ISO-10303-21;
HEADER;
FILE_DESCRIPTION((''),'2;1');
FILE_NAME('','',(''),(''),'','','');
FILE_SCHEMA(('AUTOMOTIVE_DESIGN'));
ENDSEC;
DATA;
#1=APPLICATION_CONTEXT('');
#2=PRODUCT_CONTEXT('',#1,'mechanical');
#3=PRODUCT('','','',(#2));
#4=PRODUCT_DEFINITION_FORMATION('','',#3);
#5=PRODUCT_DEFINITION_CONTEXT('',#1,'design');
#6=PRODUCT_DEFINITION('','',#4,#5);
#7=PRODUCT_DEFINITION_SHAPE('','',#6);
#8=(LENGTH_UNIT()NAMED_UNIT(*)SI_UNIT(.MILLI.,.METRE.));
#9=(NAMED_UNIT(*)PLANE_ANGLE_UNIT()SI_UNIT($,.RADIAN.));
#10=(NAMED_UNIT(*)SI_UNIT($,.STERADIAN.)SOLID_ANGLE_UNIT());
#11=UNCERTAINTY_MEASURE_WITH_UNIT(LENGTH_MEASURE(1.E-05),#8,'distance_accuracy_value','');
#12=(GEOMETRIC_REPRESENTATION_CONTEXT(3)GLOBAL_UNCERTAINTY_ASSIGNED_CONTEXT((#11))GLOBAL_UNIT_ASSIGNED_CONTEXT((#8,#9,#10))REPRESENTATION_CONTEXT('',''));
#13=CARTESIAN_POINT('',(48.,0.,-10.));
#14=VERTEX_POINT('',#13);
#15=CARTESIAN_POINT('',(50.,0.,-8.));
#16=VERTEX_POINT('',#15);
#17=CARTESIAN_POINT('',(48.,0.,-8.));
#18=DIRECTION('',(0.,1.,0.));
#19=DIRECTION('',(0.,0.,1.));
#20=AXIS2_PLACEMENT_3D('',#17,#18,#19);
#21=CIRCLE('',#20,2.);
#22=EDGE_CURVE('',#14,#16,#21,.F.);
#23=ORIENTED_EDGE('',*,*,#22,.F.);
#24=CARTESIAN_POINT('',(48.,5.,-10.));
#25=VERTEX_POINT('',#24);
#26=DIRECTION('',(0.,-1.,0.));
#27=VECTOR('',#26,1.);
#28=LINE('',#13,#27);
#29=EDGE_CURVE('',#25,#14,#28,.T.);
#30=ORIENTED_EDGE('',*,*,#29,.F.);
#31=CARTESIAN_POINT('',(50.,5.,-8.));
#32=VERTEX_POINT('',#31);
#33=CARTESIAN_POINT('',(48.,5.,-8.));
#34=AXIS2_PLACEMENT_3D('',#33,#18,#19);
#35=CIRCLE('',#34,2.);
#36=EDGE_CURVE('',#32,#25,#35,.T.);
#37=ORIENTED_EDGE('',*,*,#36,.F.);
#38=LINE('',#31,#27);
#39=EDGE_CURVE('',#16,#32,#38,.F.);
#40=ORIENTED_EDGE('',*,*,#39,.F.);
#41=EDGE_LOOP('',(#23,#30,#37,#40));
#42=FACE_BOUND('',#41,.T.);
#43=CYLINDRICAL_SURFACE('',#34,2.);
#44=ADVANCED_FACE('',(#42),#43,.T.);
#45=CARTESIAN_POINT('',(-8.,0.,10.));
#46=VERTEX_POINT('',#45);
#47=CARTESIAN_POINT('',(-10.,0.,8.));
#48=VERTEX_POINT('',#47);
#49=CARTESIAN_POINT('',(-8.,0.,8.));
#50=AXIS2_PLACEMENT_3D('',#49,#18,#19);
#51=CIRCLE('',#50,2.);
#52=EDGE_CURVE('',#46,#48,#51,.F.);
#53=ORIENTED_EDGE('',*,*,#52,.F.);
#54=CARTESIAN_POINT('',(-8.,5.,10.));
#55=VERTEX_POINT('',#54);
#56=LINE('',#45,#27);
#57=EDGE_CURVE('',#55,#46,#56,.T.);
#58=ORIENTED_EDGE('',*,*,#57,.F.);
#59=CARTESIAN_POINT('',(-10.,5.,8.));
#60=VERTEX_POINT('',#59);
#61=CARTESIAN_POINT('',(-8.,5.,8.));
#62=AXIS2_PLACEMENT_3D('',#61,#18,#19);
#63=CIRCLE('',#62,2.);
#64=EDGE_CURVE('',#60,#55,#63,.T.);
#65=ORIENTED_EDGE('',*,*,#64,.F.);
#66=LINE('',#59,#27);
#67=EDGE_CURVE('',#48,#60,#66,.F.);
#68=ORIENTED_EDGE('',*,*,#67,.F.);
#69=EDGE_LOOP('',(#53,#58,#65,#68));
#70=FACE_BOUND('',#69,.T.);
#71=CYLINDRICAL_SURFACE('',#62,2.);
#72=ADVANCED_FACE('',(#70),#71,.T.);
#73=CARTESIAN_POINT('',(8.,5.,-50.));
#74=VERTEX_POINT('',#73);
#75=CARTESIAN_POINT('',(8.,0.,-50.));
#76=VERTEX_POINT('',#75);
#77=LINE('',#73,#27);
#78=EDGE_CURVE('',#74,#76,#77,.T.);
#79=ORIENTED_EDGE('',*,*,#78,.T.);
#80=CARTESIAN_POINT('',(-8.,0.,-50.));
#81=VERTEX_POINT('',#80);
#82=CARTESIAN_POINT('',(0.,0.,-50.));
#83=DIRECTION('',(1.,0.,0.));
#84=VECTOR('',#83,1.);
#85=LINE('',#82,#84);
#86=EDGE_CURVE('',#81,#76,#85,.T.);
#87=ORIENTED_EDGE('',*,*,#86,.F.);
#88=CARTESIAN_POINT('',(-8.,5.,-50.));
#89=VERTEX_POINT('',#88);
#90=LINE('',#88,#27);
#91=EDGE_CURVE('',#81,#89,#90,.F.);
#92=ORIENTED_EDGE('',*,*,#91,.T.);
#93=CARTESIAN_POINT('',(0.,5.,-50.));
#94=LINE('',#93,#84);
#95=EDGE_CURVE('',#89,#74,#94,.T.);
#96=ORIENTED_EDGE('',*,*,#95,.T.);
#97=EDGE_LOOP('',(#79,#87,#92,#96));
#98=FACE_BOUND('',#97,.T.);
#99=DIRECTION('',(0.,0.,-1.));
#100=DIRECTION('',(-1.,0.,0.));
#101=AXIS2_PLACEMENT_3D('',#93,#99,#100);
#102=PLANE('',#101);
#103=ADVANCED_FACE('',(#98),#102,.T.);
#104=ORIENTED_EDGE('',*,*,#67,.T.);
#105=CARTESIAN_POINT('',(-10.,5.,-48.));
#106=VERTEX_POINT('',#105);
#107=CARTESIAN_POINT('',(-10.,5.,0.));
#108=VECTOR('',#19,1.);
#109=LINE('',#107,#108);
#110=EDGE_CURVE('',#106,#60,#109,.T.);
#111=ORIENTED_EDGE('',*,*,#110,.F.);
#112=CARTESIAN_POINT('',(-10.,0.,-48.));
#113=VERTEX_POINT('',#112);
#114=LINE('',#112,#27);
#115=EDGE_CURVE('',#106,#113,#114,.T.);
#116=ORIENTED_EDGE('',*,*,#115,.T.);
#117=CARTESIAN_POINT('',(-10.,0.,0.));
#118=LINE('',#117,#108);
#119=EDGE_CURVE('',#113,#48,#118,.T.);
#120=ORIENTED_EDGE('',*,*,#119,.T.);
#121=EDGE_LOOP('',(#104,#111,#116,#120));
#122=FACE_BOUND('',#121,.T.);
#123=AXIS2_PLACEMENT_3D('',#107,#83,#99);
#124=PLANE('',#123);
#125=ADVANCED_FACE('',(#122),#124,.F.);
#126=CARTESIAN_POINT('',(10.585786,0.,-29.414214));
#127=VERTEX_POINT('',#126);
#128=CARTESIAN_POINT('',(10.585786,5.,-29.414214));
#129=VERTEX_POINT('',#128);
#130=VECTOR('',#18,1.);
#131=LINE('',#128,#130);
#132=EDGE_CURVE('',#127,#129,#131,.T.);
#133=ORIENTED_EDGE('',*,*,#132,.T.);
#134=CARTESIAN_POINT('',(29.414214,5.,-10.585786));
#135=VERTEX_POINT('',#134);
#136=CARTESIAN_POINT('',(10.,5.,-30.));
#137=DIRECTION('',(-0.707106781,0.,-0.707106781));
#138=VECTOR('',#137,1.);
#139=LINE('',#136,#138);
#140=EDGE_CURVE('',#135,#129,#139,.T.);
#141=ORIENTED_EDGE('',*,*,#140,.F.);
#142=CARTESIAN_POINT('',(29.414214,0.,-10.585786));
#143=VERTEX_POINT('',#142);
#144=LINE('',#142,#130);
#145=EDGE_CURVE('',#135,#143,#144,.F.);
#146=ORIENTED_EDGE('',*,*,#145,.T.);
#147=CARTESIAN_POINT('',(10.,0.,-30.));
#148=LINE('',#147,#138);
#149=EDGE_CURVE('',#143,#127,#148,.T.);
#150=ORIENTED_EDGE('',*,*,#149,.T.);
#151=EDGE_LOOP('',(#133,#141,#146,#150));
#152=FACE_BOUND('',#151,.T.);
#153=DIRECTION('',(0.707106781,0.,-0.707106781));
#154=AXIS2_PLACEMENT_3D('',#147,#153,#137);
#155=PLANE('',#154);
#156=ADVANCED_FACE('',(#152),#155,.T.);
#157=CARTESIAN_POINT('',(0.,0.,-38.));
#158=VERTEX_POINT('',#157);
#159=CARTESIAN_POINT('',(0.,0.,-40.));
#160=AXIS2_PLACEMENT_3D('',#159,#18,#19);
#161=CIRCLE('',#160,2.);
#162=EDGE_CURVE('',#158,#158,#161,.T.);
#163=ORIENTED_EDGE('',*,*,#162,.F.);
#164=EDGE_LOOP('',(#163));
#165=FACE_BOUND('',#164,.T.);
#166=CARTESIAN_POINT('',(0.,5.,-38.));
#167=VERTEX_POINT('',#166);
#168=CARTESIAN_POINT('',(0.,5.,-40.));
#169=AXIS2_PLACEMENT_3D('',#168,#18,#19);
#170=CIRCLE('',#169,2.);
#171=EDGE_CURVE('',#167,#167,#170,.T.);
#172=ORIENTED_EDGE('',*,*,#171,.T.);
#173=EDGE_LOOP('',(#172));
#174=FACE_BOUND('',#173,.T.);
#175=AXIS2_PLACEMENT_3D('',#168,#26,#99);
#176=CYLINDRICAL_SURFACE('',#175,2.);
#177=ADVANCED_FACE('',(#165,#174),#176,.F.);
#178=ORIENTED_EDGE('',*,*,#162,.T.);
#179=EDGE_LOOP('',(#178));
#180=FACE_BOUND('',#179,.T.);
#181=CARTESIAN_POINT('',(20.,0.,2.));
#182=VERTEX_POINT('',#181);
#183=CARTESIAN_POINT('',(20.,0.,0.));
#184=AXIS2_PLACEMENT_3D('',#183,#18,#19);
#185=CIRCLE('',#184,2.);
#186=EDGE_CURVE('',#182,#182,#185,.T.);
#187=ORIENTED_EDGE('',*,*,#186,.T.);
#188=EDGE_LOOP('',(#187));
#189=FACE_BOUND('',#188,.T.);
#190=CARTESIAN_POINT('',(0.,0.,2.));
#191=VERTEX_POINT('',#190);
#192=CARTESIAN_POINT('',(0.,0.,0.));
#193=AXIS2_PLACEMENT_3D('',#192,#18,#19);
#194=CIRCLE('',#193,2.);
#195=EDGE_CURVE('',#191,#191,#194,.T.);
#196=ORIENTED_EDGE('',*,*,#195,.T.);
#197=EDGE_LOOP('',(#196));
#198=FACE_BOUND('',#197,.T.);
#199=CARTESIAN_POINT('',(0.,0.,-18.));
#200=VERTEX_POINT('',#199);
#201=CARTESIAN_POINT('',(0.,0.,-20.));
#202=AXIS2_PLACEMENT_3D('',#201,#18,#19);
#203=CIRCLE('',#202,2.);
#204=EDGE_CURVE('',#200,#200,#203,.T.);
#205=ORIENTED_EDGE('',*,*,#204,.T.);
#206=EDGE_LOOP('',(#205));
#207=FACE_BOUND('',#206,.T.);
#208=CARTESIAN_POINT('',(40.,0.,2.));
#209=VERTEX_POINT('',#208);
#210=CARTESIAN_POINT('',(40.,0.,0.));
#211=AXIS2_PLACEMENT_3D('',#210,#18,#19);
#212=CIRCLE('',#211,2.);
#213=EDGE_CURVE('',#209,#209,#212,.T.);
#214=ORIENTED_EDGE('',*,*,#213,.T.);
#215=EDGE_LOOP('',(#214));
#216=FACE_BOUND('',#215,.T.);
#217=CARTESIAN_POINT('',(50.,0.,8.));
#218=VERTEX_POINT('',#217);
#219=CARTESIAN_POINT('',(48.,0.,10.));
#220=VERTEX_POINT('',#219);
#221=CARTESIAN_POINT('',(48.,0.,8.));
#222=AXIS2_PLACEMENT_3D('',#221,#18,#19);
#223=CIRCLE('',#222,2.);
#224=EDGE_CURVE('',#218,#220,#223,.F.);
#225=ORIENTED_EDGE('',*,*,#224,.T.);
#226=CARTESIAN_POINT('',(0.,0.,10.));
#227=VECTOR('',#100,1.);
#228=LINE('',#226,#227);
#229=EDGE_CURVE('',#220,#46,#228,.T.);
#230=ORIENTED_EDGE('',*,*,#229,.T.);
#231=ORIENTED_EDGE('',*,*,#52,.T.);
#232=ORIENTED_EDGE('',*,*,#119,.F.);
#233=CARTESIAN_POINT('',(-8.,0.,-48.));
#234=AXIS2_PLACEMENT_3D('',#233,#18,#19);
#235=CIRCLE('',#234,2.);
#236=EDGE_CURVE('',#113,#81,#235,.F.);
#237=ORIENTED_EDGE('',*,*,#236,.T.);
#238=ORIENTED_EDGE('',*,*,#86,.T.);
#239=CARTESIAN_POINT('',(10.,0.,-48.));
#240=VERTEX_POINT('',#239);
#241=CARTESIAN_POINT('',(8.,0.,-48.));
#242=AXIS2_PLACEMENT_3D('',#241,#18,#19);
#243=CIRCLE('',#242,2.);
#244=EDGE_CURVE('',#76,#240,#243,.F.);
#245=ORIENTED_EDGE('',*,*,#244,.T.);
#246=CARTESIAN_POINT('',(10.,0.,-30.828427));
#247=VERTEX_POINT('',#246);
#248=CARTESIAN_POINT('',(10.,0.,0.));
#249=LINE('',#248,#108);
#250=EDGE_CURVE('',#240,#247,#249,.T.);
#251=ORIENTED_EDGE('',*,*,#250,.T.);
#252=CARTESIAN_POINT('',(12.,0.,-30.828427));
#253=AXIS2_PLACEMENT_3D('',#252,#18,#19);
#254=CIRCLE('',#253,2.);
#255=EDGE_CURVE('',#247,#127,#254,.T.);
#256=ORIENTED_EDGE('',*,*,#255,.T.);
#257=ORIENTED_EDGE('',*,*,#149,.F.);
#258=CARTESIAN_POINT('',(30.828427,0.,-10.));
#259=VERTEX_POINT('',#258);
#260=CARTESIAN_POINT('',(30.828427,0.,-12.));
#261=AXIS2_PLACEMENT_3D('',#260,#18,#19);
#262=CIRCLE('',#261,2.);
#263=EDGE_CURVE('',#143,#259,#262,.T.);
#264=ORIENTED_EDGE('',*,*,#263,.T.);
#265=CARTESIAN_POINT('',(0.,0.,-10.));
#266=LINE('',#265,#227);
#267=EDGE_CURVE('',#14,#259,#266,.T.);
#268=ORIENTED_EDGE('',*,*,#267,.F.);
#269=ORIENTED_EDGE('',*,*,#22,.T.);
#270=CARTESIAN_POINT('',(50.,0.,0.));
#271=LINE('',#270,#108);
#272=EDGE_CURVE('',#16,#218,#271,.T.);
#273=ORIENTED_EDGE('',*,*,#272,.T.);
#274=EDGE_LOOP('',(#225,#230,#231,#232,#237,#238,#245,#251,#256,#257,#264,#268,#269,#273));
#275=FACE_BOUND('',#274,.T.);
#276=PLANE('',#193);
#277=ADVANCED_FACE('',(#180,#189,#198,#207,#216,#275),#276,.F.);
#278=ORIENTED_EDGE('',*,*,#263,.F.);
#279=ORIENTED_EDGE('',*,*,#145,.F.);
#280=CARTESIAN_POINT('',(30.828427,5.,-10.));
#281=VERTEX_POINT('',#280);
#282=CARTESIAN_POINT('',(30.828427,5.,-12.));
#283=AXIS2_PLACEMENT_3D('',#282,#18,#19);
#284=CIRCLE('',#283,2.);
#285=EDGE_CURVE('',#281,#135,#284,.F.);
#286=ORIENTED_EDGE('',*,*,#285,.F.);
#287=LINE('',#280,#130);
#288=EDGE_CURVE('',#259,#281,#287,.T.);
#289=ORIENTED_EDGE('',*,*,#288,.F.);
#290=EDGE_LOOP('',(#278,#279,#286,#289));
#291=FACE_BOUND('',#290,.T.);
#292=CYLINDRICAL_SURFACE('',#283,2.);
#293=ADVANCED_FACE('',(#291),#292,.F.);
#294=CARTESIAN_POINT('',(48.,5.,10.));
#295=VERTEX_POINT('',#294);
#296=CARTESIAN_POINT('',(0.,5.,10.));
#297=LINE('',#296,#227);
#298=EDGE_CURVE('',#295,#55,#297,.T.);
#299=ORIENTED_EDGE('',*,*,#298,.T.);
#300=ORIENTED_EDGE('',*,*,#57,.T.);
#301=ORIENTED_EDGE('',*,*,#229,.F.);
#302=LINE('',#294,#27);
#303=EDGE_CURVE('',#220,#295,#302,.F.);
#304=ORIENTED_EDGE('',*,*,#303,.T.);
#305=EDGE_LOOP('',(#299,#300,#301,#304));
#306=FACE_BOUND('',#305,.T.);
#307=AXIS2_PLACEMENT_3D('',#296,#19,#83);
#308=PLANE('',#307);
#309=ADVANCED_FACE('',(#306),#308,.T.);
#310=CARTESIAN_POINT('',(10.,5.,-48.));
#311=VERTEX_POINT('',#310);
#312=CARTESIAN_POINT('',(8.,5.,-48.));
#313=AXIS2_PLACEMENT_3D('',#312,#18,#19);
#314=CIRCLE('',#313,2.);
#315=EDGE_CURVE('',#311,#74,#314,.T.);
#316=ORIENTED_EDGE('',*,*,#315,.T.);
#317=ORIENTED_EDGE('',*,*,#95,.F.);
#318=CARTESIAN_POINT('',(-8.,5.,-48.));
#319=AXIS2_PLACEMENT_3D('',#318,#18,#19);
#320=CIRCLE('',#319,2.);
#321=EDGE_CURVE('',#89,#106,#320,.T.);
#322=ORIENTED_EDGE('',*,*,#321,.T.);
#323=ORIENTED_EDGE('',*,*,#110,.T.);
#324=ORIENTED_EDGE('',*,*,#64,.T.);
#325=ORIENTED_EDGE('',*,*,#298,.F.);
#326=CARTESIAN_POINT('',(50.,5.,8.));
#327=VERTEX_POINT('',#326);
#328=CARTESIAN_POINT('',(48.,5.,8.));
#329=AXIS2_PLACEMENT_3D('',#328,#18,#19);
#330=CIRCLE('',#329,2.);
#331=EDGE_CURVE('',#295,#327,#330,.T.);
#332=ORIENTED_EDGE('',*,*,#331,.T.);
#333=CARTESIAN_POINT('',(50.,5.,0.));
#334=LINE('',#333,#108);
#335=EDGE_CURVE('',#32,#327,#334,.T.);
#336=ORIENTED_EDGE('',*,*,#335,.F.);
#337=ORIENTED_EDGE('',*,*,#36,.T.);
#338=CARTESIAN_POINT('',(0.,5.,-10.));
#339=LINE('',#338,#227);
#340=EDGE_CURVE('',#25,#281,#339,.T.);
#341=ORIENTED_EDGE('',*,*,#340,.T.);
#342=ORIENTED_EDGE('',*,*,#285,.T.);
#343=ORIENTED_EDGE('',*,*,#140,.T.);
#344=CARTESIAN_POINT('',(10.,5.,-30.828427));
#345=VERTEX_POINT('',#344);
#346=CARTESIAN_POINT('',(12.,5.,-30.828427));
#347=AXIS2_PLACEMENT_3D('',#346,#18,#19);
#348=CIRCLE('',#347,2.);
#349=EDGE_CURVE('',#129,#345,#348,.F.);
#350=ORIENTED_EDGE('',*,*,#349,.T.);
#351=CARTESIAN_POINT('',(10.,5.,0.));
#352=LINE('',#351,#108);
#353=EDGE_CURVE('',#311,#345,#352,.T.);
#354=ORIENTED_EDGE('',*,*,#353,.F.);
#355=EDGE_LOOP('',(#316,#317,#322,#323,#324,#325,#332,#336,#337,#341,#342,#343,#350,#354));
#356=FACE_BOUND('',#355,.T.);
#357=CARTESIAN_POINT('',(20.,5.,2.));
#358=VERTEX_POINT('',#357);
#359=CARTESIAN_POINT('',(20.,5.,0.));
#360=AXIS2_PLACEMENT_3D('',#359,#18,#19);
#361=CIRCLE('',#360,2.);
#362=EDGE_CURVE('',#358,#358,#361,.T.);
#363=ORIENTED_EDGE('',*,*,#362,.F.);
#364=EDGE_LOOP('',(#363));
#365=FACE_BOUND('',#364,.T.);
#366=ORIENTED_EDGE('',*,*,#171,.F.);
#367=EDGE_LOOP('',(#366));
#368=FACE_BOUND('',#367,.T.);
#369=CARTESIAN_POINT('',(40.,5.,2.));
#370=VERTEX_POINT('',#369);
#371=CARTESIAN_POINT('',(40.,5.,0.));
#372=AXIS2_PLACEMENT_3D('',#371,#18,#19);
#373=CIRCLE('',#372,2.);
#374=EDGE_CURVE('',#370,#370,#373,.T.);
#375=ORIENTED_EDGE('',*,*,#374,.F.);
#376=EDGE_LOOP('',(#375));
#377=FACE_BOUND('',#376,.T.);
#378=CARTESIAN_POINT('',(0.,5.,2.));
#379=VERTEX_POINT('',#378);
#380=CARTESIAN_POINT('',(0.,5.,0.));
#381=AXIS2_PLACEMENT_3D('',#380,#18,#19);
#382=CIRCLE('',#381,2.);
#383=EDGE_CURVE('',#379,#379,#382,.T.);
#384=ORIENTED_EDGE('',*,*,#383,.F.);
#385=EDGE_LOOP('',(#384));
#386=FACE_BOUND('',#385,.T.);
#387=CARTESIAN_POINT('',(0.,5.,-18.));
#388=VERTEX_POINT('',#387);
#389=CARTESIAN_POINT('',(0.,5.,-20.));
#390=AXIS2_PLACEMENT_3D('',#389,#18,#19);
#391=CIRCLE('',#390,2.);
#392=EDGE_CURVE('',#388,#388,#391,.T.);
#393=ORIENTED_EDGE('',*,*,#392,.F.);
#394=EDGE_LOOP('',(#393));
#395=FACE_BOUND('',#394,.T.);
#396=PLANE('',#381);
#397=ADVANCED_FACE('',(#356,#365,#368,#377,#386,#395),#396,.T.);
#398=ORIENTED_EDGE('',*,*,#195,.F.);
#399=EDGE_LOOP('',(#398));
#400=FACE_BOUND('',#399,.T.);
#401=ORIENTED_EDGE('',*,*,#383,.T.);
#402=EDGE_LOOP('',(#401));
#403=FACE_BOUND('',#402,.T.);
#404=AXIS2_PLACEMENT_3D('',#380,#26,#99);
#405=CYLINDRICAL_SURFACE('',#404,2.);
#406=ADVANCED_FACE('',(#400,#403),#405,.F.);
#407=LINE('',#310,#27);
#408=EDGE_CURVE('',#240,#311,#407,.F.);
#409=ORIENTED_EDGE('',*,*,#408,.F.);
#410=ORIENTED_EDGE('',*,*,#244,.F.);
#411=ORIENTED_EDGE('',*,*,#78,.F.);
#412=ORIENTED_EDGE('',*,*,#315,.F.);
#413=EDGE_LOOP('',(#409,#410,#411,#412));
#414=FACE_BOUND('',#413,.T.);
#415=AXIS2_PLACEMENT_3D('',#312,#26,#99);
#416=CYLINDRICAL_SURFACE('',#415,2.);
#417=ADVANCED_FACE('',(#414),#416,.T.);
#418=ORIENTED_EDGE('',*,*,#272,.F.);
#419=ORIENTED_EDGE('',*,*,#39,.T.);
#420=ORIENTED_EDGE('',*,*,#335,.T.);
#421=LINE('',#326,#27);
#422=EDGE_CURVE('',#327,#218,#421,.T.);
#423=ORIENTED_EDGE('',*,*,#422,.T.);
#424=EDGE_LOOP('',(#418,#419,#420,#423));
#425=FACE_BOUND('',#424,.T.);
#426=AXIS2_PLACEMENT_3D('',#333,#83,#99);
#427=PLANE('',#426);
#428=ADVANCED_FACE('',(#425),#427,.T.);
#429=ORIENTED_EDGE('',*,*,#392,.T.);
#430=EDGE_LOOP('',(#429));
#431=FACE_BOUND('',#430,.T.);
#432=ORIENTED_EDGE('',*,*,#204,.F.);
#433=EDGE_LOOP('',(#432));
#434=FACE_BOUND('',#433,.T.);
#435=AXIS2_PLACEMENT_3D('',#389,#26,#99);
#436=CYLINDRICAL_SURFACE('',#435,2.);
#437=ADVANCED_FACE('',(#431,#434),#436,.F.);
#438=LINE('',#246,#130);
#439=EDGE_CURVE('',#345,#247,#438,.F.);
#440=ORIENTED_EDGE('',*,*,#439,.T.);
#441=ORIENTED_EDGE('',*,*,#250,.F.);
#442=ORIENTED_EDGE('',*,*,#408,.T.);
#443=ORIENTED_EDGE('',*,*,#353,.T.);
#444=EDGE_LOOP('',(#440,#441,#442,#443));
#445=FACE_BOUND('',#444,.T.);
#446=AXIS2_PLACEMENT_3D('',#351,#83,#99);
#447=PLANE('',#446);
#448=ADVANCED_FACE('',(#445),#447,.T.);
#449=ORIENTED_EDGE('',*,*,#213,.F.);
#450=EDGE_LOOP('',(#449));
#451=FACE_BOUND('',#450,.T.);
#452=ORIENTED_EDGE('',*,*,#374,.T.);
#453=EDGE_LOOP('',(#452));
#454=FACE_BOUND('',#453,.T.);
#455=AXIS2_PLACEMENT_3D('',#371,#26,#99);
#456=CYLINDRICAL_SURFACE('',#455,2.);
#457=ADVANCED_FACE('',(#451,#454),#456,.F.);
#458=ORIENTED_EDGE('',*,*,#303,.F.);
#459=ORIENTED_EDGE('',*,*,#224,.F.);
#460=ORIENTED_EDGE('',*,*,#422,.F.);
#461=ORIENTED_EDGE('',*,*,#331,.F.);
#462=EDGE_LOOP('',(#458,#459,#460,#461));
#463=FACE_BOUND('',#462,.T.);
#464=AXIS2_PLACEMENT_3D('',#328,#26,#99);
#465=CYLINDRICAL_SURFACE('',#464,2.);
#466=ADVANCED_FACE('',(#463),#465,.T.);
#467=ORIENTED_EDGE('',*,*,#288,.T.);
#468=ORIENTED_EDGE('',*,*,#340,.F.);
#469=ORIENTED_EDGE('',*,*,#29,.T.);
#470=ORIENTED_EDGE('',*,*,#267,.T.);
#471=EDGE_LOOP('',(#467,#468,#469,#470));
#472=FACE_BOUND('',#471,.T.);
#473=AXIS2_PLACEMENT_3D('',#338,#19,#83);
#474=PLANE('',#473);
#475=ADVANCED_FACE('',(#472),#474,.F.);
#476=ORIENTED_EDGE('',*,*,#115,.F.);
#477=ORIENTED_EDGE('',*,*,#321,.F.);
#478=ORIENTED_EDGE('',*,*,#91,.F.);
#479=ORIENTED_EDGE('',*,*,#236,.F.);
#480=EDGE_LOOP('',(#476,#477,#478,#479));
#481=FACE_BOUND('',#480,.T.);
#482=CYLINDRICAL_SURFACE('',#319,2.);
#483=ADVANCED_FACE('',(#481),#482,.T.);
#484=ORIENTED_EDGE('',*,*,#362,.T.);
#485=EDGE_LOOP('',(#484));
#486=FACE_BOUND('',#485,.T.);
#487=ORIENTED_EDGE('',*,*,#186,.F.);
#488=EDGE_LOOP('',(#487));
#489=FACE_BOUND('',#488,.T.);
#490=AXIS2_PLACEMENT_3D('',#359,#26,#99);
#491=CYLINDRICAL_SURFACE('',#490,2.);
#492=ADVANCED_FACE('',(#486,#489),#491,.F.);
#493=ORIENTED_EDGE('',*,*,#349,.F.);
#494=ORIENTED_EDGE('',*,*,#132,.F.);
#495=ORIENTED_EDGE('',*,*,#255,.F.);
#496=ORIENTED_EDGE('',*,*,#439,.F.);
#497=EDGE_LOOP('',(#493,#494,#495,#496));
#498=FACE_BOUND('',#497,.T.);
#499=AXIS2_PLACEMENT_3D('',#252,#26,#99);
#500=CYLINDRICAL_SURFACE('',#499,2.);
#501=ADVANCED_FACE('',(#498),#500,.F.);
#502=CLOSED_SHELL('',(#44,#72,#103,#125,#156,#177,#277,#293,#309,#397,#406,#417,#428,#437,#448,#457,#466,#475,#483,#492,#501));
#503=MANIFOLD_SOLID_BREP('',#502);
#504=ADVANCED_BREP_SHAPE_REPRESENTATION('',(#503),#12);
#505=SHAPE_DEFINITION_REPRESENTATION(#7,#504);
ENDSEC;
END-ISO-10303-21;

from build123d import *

# Parameters (mm, degrees)
SKETCH1_W           = 40
SKETCH1_H           = 20
SKETCH1_R           = 2
SKETCH1_W_2         = 20
SKETCH1_H_2         = 40
BOSS_EXTRUDE1_DEPTH = 5
FILLET1_R           = 2
BOSS_EXTRUDE2_DEPTH = 5
FILLET2_R           = 2


with BuildPart() as part:
    # Sketch1 → Boss-Extrude1 (new body)
    with BuildSketch(Plane(origin=(0, 0, 0), x_dir=(1, 0, 0), z_dir=(0, 1, 0))):
        with Locations((30, 0)):
            Rectangle(SKETCH1_W, SKETCH1_H)
        with Locations((20, 0)):
            Circle(SKETCH1_R, mode=Mode.SUBTRACT)
        with Locations((40, 0)):
            Circle(SKETCH1_R, mode=Mode.SUBTRACT)
        Rectangle(SKETCH1_W_2, SKETCH1_H)
        Circle(SKETCH1_R, mode=Mode.SUBTRACT)
        with Locations((0, 30)):
            Rectangle(SKETCH1_W_2, SKETCH1_H_2)
        with Locations((0, 20)):
            Circle(SKETCH1_R, mode=Mode.SUBTRACT)
        with Locations((0, 40)):
            Circle(SKETCH1_R, mode=Mode.SUBTRACT)
    extrude(amount=BOSS_EXTRUDE1_DEPTH)

    # Fillet1
    fillet1_edges = [part.edges().sort_by_distance(p)[0] for p in [
        (-10, 2.5, 10),
        (-10, 2.5, -50),
        (10, 2.5, -50),
        (10, 2.5, -10),
        (50, 2.5, -10),
        (50, 2.5, 10),
    ]]
    fillet(fillet1_edges, radius=FILLET1_R)

    # Sketch2 → Boss-Extrude2 (add)
    with BuildSketch(Plane(origin=(0, 5, 0), x_dir=(1, 0, 0), z_dir=(0, 1, 0))):
        Polygon((10, 30), (30, 10), (7.050252532, 7.050252532), align=None)
    extrude(amount=-BOSS_EXTRUDE2_DEPTH)

    # Fillet2
    fillet2_edges = [part.edges().sort_by_distance(p)[0] for p in [
        (10, 2.5, -30),
        (30, 2.5, -10),
    ]]
    fillet(fillet2_edges, radius=FILLET2_R)


solid = part.part
